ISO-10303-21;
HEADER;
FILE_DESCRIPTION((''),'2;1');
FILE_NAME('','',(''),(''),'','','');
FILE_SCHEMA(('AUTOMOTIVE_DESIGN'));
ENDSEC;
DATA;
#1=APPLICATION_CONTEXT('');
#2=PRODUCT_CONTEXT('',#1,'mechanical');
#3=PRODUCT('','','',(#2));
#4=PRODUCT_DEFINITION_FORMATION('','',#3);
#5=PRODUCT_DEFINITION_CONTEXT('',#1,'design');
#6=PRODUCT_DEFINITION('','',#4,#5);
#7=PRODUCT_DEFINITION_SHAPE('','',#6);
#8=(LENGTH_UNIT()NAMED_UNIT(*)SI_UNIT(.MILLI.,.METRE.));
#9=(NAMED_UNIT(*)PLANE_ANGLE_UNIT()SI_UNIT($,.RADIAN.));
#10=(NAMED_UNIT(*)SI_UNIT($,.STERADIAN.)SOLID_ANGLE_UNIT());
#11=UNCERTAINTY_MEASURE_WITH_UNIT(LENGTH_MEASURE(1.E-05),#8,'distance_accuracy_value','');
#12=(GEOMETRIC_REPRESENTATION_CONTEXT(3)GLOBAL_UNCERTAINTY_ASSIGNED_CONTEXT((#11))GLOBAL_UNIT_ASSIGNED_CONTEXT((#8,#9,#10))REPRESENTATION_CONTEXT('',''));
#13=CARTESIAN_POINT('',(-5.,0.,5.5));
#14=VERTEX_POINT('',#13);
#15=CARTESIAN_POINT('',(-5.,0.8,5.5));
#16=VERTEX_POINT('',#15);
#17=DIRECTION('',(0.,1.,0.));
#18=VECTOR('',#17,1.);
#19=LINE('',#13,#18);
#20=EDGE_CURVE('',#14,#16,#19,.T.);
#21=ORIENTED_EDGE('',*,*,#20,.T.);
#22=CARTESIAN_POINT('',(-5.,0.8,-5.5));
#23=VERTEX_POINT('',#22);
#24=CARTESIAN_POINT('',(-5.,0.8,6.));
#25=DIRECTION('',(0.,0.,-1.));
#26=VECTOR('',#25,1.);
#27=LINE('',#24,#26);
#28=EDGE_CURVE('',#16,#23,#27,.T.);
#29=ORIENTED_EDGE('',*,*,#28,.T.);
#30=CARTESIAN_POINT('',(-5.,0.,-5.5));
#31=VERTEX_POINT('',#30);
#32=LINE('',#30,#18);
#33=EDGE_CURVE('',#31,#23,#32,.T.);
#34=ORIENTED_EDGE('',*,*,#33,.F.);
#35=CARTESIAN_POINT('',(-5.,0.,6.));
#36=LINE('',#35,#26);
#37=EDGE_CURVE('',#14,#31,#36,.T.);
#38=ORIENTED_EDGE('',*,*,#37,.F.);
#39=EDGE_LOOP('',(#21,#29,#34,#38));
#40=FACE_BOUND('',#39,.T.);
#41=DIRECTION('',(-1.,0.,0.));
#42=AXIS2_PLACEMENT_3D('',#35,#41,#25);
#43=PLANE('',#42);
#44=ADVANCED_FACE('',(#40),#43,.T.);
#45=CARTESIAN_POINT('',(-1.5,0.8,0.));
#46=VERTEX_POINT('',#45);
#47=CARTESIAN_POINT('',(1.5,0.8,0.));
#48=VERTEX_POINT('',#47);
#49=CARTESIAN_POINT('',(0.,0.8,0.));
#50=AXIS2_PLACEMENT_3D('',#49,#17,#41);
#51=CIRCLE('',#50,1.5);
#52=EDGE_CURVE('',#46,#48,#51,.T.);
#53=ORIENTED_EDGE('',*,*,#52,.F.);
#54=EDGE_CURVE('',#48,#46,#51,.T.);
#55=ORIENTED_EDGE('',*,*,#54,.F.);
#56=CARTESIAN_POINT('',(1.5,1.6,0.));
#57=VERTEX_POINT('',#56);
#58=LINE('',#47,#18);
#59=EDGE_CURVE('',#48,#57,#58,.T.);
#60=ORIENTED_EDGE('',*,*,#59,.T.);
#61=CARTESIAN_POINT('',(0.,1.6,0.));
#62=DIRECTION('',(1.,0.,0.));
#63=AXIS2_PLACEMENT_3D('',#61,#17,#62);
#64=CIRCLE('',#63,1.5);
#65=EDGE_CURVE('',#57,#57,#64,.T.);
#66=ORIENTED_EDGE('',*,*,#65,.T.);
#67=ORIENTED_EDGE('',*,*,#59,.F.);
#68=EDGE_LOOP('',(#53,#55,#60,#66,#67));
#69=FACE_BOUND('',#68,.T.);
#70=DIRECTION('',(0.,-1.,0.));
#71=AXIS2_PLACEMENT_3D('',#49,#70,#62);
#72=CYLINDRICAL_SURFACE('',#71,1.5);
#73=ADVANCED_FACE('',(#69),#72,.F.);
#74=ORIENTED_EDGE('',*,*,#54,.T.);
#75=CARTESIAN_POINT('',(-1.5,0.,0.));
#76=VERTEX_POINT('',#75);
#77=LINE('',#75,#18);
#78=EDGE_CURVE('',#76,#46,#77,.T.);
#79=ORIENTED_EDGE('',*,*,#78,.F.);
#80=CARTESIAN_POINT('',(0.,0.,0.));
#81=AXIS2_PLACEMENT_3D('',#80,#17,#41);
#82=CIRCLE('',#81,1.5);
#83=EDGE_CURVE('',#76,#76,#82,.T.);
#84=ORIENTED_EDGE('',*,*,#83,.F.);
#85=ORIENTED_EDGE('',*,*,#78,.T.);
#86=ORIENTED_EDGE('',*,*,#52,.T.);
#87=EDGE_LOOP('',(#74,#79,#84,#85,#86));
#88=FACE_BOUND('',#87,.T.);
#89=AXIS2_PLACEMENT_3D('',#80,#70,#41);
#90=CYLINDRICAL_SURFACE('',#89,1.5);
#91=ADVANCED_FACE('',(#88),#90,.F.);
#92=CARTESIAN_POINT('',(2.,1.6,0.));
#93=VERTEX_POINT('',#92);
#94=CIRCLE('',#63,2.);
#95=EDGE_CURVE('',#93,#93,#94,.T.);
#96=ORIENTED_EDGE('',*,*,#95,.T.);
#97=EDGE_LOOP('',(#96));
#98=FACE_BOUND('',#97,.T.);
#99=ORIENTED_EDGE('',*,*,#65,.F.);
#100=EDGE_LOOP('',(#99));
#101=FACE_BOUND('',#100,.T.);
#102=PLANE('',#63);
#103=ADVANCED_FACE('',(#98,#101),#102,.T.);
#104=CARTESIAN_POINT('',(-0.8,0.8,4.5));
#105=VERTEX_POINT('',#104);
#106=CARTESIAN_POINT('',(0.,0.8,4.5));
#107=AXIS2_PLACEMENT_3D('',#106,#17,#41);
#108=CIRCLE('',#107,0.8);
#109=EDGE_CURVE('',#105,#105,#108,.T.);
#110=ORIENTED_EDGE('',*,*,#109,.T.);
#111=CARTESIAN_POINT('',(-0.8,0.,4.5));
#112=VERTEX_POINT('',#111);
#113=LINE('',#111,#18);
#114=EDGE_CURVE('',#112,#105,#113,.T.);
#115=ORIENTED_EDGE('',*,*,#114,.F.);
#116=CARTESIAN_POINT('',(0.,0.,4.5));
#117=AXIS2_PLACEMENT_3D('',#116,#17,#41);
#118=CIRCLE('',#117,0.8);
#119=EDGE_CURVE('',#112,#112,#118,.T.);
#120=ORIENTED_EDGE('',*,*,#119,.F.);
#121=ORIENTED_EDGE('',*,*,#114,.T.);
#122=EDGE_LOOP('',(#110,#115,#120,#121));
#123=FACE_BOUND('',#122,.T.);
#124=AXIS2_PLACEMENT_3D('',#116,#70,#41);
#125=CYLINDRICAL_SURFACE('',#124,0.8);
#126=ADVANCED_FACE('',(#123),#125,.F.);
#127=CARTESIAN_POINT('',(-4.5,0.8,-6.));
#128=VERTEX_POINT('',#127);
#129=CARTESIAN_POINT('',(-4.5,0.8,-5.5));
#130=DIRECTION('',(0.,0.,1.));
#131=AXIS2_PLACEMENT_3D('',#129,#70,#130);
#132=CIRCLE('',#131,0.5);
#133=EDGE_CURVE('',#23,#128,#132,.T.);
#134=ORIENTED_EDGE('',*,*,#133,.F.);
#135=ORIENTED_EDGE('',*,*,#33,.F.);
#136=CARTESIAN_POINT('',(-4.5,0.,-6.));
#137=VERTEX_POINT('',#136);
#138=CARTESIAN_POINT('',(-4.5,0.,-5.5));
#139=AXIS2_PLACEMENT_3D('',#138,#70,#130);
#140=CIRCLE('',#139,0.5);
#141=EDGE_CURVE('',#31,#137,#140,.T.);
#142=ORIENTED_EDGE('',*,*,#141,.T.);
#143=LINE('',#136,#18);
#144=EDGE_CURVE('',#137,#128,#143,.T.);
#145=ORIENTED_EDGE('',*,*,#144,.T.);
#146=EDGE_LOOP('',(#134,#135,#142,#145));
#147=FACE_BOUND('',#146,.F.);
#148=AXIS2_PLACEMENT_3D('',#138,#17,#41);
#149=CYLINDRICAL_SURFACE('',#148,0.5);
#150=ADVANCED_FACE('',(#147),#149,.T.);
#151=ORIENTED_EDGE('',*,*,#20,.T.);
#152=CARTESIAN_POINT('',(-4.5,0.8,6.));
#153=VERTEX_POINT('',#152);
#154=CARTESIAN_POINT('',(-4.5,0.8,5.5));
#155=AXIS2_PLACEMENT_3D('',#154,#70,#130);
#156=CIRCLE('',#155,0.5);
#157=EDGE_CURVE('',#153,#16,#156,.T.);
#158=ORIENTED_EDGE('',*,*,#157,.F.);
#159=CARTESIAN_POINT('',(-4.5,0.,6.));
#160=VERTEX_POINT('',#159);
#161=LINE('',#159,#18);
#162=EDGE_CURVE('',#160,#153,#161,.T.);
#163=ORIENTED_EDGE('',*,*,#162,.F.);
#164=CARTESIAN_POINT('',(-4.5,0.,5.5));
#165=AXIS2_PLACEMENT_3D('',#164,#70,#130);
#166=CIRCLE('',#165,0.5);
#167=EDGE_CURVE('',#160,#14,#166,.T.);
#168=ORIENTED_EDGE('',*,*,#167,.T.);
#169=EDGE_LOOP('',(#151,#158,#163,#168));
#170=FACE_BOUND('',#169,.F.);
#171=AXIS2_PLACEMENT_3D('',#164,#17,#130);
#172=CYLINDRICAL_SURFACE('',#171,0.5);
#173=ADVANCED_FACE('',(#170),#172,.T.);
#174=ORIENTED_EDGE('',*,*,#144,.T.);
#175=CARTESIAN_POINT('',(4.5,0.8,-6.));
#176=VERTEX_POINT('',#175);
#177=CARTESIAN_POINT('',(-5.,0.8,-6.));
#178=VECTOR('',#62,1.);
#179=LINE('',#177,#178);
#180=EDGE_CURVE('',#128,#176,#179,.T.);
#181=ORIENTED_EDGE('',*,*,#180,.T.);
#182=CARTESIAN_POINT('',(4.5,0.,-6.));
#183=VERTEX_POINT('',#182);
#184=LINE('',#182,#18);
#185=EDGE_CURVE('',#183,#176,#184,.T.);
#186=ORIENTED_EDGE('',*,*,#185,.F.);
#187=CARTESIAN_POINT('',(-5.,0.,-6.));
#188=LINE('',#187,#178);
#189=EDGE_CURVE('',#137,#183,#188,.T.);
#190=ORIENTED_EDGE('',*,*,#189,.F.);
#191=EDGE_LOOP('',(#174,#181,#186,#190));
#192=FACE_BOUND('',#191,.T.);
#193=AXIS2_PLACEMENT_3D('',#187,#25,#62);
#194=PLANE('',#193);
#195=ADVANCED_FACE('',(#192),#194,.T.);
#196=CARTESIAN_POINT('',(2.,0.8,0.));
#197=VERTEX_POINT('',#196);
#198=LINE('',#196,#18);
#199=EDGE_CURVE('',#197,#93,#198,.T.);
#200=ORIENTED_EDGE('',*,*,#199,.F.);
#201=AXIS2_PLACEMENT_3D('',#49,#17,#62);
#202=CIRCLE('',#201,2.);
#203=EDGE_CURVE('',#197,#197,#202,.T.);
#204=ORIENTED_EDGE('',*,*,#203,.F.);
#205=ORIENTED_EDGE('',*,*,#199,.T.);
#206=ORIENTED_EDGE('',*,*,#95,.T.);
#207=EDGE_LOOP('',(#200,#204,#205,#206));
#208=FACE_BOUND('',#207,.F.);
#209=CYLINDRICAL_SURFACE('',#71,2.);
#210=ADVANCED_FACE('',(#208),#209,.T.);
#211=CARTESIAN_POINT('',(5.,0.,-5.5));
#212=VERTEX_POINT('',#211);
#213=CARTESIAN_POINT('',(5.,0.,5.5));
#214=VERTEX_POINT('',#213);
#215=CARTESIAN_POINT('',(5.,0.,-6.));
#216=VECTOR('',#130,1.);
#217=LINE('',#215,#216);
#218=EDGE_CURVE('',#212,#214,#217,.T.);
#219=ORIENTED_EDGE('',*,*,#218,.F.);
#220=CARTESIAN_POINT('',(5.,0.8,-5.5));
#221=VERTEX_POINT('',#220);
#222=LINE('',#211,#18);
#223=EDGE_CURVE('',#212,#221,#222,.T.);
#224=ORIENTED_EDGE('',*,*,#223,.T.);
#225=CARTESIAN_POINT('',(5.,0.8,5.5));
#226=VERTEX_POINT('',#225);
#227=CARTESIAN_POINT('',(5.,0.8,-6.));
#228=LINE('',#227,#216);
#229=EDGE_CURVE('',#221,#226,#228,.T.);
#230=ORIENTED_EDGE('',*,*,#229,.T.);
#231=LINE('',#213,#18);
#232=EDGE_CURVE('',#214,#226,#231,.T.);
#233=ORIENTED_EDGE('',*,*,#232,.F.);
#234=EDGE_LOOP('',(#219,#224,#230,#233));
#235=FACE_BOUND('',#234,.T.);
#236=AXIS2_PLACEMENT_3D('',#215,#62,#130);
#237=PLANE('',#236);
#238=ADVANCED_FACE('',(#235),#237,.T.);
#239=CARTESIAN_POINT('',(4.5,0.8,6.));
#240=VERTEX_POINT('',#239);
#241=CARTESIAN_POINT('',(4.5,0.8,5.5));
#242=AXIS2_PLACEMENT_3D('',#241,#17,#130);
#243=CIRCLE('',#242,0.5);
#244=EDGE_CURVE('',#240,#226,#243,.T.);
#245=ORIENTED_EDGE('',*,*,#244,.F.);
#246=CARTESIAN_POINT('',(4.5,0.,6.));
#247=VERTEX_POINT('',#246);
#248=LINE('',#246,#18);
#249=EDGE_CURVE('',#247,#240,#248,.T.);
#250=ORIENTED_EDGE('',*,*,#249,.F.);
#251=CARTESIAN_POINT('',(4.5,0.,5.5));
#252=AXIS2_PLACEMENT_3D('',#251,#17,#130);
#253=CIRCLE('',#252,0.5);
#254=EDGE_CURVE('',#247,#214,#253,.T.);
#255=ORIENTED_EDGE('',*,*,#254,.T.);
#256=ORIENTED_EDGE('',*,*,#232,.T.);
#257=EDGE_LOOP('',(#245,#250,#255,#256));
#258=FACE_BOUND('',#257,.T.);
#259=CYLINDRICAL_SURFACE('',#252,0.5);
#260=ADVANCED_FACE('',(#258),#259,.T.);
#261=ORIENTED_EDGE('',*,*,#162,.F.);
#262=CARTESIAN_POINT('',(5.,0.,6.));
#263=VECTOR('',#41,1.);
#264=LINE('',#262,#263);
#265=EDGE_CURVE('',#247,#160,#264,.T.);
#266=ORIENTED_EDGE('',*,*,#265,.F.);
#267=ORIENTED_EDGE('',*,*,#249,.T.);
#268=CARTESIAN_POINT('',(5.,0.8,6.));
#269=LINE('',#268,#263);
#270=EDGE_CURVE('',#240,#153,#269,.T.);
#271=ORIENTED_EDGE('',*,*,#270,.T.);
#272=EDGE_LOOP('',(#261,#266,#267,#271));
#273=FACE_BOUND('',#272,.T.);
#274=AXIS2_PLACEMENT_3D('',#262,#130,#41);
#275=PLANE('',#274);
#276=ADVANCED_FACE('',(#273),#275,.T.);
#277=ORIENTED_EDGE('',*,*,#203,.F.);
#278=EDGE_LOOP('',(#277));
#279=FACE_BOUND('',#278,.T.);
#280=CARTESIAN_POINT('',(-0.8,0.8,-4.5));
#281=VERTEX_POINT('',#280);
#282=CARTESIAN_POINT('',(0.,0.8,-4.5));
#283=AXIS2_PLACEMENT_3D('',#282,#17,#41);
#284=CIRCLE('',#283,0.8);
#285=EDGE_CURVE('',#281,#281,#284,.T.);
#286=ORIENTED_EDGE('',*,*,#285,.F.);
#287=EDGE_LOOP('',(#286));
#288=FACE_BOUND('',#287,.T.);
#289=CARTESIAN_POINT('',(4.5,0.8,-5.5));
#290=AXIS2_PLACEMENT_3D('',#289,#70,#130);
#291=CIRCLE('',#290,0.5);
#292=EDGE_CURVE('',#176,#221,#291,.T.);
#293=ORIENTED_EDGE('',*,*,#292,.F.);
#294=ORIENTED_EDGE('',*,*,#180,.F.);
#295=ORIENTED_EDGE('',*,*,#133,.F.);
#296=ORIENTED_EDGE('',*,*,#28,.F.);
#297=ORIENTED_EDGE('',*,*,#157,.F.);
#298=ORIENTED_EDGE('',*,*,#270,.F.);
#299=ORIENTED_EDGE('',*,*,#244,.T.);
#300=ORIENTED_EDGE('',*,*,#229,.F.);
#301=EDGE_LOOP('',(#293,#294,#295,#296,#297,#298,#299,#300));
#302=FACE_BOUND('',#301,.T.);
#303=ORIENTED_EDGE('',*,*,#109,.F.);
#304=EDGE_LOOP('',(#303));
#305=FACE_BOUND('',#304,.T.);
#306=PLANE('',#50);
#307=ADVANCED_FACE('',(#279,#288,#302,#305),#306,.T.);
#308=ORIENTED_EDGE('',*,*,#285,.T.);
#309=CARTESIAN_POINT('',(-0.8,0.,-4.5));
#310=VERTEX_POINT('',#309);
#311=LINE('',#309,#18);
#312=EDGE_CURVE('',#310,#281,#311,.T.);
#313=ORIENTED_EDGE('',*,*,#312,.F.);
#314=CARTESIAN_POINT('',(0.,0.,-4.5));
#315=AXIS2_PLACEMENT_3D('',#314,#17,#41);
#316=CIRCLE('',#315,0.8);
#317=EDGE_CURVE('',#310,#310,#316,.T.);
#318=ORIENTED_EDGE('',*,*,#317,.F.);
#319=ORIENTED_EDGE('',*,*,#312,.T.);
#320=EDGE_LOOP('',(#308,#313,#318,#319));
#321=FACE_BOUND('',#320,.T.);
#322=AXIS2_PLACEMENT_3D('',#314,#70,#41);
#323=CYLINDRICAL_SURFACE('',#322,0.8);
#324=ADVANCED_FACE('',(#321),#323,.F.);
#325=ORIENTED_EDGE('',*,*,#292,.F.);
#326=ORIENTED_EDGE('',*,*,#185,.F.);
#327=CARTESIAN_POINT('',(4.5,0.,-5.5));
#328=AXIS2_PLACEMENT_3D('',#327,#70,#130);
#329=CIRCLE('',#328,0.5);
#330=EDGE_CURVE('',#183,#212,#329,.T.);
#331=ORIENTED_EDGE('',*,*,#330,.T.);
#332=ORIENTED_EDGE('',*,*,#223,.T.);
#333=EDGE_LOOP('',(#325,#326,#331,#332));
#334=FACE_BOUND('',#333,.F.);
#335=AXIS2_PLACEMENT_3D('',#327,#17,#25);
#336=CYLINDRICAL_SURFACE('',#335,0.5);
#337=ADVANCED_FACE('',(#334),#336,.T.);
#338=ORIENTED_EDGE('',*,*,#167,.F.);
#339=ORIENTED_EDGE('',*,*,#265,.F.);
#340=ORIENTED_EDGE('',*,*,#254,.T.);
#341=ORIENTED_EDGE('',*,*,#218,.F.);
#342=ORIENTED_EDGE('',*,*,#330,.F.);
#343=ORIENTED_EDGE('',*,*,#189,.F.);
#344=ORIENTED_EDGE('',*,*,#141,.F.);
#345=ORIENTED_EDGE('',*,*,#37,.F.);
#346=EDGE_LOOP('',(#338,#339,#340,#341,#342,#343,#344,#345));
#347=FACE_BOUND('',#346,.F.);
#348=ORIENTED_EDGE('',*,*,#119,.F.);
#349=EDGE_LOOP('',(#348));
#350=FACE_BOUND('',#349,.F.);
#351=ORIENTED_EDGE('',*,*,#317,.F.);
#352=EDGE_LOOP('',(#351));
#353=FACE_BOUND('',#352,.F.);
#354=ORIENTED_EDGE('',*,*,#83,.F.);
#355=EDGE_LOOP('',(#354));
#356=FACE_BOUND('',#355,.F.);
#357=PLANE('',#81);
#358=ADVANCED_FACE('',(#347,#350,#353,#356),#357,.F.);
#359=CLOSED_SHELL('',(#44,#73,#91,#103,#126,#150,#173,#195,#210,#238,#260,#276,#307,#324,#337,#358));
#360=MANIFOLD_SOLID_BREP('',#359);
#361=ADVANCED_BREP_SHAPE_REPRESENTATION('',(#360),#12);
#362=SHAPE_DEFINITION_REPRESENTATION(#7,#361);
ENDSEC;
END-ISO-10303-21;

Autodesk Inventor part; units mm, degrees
ref_plane "YZ Plane" through (0, 0, 0) normal (1, 0, 0) x (0, 1, 0)
ref_plane "XZ Plane" through (0, 0, 0) normal (0, 1, 0) x (-1, 0, 0)
ref_plane "XY Plane" through (0, 0, 0) normal (0, 0, 1) x (1, 0, 0)
sketch "Sketch1" plane through (0, 0, 0) normal (0, 1, 0) x (-1, 0, 0)
  line L0 (-5, 6) -> (5, 6)
  line L1 (5, 6) -> (5, -6)
  line L2 (5, -6) -> (-5, -6)
  line L3 (-5, -6) -> (-5, 6)
  line L4 (-5, 6) -> (5, -6) construction
  line L5 (5, 6) -> (-5, -6) construction
  circle A0 centre (0, 0) radius 1.5
  line L6 (5, 0) -> (-5, 0) construction
  line L7 (0, 6) -> (0, -6) construction
  circle A1 centre (0, 4.5) radius 0.8
  circle A2 centre (0, -4.5) radius 0.8
  dimension "d0" = 10
  dimension "d1" = 12
  dimension "d2" = 3
  dimension "d3" = 9
  dimension "d4" = 1.6
extrude "Extrusion1" add sketch "Sketch1" along normal blind 0.8
fillet "Fillet1" radius 0.5 4 edges at (-5, 0.4, 6) (5, 0.4, 6) (5, 0.4, -6) (-5, 0.4, -6)
sketch "Sketch2" plane through (0, 0.8, 0) normal (0, 1, 0) x (1, 0, 0)
  circle A0 centre (0, 0) radius 1.5 projected
  circle A1 centre (0, 0) radius 2
  dimension "d9" = 4
extrude "Extrusion2" add sketch "Sketch2" along normal blind 0.8
properties part number "Encoder Front Plate" material "Brass, Soft Yellow"
